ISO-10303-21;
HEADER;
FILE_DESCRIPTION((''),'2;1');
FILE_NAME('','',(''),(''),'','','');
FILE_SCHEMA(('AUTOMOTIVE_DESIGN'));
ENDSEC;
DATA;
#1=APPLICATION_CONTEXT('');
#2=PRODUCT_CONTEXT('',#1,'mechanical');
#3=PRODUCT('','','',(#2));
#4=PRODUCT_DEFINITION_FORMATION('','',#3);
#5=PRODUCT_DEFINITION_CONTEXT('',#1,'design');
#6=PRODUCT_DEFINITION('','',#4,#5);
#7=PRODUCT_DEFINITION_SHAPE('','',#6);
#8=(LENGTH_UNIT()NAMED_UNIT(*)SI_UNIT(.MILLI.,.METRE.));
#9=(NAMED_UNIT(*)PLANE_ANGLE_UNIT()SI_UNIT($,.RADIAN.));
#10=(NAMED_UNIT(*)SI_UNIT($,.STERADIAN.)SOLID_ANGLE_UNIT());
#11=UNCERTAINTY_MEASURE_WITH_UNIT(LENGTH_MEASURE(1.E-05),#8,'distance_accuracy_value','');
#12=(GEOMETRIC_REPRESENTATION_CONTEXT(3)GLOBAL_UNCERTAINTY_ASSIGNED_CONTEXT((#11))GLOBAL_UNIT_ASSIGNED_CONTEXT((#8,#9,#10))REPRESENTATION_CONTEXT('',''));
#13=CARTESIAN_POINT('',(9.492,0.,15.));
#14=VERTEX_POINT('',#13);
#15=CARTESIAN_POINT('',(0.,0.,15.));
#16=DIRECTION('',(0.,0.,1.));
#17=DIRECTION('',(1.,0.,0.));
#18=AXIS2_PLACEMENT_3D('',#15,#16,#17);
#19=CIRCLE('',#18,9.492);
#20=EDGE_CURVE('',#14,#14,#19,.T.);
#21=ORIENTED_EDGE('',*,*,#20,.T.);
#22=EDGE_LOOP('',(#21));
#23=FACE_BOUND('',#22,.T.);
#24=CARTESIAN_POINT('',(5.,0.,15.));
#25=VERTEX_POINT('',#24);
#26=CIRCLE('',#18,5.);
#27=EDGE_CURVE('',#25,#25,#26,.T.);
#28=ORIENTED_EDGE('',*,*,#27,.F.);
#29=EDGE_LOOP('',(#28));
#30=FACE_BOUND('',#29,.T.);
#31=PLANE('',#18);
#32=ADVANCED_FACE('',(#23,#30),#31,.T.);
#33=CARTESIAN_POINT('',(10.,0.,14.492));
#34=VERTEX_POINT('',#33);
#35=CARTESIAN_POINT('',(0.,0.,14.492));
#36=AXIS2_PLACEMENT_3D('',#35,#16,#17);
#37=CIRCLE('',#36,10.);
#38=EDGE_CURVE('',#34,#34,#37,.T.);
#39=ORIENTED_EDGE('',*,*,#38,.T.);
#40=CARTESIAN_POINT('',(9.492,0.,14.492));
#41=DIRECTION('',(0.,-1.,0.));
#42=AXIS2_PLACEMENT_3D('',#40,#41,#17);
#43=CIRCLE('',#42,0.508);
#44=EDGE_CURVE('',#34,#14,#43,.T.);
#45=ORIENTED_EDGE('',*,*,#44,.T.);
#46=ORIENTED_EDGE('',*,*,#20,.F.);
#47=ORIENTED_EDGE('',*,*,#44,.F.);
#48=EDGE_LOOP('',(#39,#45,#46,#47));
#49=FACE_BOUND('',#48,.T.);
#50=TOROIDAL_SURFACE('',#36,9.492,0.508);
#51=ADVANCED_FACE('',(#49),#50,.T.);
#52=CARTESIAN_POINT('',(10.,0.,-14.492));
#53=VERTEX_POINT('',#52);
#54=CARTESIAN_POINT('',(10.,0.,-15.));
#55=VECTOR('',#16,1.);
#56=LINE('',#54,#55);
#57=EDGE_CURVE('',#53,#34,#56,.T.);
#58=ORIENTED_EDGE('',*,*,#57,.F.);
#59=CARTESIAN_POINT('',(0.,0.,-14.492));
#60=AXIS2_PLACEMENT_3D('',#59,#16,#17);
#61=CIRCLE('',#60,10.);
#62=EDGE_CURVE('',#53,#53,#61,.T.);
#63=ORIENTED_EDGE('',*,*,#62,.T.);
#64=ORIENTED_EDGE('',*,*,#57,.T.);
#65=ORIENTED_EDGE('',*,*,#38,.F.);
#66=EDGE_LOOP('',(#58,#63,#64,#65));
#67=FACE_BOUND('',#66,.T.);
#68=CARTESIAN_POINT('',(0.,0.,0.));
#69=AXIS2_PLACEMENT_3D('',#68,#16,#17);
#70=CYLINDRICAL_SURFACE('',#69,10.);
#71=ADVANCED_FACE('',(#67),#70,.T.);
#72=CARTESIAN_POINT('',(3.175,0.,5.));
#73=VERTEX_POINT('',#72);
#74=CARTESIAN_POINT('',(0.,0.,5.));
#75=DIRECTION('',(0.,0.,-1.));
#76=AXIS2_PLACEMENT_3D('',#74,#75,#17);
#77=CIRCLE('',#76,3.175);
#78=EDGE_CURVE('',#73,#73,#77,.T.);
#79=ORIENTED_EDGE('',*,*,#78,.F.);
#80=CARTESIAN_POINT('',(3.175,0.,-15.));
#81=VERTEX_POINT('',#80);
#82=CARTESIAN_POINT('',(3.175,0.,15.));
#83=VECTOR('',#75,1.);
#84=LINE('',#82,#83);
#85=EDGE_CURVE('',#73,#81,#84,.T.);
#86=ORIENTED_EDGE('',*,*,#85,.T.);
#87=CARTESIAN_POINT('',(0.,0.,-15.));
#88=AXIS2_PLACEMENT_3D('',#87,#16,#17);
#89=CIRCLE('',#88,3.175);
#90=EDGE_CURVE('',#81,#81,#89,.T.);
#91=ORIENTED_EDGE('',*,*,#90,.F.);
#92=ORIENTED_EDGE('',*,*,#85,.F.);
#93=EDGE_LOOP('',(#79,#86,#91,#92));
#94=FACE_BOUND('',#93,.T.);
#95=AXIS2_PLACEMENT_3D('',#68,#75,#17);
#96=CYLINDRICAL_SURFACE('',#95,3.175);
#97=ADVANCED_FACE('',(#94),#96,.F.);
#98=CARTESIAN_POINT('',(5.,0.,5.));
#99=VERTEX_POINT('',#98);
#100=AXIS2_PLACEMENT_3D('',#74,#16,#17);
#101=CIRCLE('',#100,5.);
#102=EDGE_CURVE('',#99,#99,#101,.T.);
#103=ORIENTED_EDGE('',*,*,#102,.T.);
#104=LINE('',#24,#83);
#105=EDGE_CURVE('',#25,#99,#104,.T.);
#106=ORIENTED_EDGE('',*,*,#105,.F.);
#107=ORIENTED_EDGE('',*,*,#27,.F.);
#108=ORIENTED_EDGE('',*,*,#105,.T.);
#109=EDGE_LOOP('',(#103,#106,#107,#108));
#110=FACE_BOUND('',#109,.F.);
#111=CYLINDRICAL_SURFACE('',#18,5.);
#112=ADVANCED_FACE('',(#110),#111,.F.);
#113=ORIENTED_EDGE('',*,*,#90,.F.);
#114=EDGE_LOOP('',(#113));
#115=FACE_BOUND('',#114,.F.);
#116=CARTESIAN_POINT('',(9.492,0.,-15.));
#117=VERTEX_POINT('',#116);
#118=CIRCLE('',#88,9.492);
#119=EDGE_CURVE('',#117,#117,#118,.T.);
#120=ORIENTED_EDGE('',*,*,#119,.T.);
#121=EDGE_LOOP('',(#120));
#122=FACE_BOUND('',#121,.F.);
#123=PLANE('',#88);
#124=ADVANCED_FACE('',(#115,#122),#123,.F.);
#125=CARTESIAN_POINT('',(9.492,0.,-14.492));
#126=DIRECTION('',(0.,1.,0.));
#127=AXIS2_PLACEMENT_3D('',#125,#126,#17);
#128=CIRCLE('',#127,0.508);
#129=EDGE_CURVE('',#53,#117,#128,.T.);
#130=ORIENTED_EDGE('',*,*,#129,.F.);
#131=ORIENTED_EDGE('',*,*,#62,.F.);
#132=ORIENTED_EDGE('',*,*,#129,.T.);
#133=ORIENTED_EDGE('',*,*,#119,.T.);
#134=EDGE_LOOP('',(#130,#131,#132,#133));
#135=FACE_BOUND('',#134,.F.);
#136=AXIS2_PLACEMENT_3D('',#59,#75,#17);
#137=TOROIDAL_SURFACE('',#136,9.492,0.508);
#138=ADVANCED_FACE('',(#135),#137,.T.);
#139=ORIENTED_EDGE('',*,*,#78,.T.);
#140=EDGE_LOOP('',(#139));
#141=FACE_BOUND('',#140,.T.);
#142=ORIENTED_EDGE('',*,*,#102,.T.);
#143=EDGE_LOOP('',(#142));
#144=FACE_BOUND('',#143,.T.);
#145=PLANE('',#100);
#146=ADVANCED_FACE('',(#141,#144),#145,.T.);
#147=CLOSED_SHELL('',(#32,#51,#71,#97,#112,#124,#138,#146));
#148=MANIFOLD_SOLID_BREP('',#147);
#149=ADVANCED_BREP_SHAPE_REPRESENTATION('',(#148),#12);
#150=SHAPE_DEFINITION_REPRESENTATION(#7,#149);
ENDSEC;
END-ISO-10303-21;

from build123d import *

# Parameters (mm, degrees)
F0_R     = 10
F0_R_2   = 3.175
F1_DEPTH = 15
F2_R     = 5
F3_DEPTH = 10
F4_R     = 0.508


with BuildPart() as f1:
    # F0 (on Top) → F1 (new body, symmetric)
    with BuildSketch(Plane.XY):
        Circle(F0_R)
        Circle(F0_R_2, mode=Mode.SUBTRACT)
    extrude(amount=F1_DEPTH, both=True)

    # F2 (on face) → F3 (cut)
    with BuildSketch(Plane.XY.offset(15)):
        Circle(F2_R)
    extrude(amount=-F3_DEPTH, mode=Mode.SUBTRACT)

    # F4
    f4_edges = [f1.edges().sort_by_distance(p)[0] for p in [
        (-10, 0, 15),
        (-10, 0, -15),
    ]]
    fillet(f4_edges, radius=F4_R)


solid = f1.part
